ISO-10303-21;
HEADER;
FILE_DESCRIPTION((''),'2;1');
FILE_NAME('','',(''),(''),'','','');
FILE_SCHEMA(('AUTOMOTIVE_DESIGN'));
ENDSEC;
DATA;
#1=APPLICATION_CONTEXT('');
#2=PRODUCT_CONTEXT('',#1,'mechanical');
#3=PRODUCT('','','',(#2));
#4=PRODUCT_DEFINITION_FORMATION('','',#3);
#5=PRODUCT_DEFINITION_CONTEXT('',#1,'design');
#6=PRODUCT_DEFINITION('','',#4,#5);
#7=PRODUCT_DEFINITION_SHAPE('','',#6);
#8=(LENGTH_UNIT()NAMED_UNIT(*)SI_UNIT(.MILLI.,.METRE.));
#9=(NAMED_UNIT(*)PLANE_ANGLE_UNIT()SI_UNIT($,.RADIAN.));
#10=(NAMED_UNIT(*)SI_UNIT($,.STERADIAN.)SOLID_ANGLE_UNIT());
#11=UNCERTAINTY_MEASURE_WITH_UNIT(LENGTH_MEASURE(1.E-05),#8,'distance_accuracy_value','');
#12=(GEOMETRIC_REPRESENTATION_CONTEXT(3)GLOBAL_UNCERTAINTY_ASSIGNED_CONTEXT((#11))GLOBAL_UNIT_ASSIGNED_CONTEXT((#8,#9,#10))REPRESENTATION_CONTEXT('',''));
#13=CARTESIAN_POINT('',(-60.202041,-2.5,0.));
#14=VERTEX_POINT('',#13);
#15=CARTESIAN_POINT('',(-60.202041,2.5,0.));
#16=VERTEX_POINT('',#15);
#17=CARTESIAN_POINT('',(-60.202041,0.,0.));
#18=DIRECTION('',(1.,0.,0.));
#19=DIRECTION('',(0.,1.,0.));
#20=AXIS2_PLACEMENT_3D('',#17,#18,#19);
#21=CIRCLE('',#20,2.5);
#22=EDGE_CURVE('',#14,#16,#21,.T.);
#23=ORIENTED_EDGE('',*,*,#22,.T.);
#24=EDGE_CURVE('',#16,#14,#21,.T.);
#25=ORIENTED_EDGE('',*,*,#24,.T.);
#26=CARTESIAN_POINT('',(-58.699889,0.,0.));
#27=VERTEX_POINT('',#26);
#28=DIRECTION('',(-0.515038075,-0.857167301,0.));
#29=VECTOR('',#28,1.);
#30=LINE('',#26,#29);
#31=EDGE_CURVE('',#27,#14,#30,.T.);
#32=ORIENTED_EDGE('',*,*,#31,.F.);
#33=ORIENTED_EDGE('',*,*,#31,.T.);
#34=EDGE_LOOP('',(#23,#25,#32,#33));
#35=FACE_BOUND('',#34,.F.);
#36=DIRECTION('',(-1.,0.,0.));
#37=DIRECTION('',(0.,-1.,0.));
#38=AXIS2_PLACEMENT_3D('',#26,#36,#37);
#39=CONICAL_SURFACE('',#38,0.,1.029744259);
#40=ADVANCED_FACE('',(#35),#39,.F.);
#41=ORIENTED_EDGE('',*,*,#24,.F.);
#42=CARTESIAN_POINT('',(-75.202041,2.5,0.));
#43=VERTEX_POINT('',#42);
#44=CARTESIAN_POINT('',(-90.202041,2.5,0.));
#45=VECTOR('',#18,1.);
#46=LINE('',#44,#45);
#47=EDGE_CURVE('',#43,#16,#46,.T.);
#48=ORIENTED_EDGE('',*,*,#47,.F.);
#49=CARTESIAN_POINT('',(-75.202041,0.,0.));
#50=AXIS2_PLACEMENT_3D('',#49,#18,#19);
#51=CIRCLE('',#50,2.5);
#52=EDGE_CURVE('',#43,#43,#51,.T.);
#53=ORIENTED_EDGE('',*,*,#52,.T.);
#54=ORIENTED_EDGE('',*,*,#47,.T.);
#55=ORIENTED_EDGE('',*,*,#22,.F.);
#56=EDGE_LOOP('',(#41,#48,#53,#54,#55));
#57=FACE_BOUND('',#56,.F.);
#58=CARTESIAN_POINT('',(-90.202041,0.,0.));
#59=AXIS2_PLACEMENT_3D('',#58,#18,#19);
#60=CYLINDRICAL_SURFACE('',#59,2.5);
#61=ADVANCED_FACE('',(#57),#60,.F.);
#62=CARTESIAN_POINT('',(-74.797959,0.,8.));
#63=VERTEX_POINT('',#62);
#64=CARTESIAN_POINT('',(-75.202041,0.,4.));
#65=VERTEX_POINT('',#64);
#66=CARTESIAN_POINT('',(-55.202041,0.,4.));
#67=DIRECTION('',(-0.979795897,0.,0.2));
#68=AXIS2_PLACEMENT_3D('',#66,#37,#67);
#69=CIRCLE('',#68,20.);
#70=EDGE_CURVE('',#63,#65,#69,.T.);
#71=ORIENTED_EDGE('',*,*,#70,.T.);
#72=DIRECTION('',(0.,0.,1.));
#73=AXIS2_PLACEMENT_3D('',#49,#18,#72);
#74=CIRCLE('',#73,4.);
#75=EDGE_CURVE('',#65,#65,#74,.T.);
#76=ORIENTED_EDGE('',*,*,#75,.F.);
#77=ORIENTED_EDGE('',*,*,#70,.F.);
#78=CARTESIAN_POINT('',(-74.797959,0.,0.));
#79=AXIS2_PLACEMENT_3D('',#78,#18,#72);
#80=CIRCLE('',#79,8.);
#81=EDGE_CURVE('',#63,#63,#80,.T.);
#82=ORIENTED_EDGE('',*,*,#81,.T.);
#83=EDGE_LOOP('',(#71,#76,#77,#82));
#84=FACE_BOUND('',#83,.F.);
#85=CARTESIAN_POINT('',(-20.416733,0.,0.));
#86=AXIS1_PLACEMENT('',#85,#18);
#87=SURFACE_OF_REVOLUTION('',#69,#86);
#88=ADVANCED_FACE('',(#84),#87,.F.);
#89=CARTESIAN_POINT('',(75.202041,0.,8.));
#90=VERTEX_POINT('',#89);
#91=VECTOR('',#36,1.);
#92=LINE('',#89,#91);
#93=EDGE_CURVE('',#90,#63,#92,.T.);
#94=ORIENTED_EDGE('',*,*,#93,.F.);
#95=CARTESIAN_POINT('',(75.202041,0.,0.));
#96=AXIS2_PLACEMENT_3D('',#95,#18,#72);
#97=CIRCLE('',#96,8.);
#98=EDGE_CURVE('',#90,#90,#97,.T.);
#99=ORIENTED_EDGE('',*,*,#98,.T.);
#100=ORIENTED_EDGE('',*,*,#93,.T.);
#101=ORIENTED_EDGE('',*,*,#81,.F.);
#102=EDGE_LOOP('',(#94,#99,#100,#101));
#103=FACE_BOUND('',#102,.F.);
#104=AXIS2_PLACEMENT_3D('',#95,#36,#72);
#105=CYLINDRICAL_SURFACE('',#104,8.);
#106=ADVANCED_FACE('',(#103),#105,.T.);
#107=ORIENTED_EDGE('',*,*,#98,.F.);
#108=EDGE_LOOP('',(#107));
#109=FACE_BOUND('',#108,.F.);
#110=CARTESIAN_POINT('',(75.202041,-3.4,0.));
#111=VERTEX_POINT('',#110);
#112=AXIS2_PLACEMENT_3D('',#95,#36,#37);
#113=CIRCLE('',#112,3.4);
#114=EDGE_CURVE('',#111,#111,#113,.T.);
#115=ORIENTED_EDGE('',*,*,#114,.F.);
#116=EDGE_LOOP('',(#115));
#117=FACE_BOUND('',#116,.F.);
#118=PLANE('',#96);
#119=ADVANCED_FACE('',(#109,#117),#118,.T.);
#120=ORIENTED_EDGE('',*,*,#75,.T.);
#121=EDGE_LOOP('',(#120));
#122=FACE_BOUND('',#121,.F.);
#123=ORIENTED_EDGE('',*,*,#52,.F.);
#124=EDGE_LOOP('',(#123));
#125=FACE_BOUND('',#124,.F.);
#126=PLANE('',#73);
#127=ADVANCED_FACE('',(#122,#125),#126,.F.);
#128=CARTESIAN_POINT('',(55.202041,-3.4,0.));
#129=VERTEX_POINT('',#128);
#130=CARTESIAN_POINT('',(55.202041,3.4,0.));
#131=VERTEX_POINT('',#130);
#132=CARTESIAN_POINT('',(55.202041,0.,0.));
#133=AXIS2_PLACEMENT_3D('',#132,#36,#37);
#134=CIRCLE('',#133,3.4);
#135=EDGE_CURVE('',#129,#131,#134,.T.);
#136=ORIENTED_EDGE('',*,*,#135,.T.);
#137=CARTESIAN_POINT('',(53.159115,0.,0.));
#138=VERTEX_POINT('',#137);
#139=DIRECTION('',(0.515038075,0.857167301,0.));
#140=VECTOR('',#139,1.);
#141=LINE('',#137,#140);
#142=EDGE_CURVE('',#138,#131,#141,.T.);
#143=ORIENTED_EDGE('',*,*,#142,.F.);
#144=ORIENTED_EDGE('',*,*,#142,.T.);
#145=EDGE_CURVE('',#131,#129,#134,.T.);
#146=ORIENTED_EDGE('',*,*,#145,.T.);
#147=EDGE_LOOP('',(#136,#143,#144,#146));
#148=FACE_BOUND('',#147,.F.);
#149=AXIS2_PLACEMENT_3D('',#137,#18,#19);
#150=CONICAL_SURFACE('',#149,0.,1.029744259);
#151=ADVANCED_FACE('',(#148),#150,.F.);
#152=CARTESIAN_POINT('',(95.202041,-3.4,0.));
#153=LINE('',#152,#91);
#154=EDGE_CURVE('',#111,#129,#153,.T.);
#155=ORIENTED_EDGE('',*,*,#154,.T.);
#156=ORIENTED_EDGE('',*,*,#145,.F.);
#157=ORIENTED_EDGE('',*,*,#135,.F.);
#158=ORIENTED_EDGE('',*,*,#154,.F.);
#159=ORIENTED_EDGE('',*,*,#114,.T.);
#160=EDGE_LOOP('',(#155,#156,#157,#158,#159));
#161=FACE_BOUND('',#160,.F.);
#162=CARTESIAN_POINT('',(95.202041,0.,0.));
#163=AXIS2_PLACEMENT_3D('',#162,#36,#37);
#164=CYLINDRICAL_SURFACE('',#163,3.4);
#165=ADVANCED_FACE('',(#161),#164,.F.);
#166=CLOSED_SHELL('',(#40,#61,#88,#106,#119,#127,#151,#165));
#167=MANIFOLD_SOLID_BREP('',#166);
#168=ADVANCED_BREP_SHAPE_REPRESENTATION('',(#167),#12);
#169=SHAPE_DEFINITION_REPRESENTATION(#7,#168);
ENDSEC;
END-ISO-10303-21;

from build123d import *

# Parameters (mm, degrees)
F3_D     = 5
F3_DEPTH = 15
F3_TIP   = 1.5021515476
F5_D     = 6.8
F5_DEPTH = 20
F5_TIP   = 2.0429261047


with BuildPart() as f1:
    # F0 (on Front) → F1 (revolve)
    with BuildSketch(Plane.XZ):
        with BuildLine():
            Line((-75.2020410289, 0), (75.2020410289, 0))
            Line((75.2020410289, 0), (75.2020410289, 8))
            Line((75.2020410289, 8), (-74.7979589711, 8))
            ThreePointArc((-74.7979589711, 8), (-75.100764089, 6.0101792401), (-75.2020410289, 4))
            Line((-75.2020410289, 4), (-75.2020410289, 0))
        make_face()
    revolve(axis=Axis((-20.4167328775, 0, 0), (1, 0, 0)))

    # F3
    with Locations(Plane(origin=(-75.2020410289, 0, 0), x_dir=(0, -1, 0), z_dir=(-1, 0, 0))):
        with Locations((0, 0)):
            Hole(F3_D / 2, depth=F3_DEPTH)
            with Locations((0, 0, -(F3_DEPTH + F3_TIP / 2))):  # 118° drill point
                Cone(0, F3_D / 2, F3_TIP, mode=Mode.SUBTRACT)

    # F5
    with Locations(Plane.YZ.offset(75.2020410289)):
        with Locations((0, 0)):
            Hole(F5_D / 2, depth=F5_DEPTH)
            with Locations((0, 0, -(F5_DEPTH + F5_TIP / 2))):  # 118° drill point
                Cone(0, F5_D / 2, F5_TIP, mode=Mode.SUBTRACT)


solid = f1.part
